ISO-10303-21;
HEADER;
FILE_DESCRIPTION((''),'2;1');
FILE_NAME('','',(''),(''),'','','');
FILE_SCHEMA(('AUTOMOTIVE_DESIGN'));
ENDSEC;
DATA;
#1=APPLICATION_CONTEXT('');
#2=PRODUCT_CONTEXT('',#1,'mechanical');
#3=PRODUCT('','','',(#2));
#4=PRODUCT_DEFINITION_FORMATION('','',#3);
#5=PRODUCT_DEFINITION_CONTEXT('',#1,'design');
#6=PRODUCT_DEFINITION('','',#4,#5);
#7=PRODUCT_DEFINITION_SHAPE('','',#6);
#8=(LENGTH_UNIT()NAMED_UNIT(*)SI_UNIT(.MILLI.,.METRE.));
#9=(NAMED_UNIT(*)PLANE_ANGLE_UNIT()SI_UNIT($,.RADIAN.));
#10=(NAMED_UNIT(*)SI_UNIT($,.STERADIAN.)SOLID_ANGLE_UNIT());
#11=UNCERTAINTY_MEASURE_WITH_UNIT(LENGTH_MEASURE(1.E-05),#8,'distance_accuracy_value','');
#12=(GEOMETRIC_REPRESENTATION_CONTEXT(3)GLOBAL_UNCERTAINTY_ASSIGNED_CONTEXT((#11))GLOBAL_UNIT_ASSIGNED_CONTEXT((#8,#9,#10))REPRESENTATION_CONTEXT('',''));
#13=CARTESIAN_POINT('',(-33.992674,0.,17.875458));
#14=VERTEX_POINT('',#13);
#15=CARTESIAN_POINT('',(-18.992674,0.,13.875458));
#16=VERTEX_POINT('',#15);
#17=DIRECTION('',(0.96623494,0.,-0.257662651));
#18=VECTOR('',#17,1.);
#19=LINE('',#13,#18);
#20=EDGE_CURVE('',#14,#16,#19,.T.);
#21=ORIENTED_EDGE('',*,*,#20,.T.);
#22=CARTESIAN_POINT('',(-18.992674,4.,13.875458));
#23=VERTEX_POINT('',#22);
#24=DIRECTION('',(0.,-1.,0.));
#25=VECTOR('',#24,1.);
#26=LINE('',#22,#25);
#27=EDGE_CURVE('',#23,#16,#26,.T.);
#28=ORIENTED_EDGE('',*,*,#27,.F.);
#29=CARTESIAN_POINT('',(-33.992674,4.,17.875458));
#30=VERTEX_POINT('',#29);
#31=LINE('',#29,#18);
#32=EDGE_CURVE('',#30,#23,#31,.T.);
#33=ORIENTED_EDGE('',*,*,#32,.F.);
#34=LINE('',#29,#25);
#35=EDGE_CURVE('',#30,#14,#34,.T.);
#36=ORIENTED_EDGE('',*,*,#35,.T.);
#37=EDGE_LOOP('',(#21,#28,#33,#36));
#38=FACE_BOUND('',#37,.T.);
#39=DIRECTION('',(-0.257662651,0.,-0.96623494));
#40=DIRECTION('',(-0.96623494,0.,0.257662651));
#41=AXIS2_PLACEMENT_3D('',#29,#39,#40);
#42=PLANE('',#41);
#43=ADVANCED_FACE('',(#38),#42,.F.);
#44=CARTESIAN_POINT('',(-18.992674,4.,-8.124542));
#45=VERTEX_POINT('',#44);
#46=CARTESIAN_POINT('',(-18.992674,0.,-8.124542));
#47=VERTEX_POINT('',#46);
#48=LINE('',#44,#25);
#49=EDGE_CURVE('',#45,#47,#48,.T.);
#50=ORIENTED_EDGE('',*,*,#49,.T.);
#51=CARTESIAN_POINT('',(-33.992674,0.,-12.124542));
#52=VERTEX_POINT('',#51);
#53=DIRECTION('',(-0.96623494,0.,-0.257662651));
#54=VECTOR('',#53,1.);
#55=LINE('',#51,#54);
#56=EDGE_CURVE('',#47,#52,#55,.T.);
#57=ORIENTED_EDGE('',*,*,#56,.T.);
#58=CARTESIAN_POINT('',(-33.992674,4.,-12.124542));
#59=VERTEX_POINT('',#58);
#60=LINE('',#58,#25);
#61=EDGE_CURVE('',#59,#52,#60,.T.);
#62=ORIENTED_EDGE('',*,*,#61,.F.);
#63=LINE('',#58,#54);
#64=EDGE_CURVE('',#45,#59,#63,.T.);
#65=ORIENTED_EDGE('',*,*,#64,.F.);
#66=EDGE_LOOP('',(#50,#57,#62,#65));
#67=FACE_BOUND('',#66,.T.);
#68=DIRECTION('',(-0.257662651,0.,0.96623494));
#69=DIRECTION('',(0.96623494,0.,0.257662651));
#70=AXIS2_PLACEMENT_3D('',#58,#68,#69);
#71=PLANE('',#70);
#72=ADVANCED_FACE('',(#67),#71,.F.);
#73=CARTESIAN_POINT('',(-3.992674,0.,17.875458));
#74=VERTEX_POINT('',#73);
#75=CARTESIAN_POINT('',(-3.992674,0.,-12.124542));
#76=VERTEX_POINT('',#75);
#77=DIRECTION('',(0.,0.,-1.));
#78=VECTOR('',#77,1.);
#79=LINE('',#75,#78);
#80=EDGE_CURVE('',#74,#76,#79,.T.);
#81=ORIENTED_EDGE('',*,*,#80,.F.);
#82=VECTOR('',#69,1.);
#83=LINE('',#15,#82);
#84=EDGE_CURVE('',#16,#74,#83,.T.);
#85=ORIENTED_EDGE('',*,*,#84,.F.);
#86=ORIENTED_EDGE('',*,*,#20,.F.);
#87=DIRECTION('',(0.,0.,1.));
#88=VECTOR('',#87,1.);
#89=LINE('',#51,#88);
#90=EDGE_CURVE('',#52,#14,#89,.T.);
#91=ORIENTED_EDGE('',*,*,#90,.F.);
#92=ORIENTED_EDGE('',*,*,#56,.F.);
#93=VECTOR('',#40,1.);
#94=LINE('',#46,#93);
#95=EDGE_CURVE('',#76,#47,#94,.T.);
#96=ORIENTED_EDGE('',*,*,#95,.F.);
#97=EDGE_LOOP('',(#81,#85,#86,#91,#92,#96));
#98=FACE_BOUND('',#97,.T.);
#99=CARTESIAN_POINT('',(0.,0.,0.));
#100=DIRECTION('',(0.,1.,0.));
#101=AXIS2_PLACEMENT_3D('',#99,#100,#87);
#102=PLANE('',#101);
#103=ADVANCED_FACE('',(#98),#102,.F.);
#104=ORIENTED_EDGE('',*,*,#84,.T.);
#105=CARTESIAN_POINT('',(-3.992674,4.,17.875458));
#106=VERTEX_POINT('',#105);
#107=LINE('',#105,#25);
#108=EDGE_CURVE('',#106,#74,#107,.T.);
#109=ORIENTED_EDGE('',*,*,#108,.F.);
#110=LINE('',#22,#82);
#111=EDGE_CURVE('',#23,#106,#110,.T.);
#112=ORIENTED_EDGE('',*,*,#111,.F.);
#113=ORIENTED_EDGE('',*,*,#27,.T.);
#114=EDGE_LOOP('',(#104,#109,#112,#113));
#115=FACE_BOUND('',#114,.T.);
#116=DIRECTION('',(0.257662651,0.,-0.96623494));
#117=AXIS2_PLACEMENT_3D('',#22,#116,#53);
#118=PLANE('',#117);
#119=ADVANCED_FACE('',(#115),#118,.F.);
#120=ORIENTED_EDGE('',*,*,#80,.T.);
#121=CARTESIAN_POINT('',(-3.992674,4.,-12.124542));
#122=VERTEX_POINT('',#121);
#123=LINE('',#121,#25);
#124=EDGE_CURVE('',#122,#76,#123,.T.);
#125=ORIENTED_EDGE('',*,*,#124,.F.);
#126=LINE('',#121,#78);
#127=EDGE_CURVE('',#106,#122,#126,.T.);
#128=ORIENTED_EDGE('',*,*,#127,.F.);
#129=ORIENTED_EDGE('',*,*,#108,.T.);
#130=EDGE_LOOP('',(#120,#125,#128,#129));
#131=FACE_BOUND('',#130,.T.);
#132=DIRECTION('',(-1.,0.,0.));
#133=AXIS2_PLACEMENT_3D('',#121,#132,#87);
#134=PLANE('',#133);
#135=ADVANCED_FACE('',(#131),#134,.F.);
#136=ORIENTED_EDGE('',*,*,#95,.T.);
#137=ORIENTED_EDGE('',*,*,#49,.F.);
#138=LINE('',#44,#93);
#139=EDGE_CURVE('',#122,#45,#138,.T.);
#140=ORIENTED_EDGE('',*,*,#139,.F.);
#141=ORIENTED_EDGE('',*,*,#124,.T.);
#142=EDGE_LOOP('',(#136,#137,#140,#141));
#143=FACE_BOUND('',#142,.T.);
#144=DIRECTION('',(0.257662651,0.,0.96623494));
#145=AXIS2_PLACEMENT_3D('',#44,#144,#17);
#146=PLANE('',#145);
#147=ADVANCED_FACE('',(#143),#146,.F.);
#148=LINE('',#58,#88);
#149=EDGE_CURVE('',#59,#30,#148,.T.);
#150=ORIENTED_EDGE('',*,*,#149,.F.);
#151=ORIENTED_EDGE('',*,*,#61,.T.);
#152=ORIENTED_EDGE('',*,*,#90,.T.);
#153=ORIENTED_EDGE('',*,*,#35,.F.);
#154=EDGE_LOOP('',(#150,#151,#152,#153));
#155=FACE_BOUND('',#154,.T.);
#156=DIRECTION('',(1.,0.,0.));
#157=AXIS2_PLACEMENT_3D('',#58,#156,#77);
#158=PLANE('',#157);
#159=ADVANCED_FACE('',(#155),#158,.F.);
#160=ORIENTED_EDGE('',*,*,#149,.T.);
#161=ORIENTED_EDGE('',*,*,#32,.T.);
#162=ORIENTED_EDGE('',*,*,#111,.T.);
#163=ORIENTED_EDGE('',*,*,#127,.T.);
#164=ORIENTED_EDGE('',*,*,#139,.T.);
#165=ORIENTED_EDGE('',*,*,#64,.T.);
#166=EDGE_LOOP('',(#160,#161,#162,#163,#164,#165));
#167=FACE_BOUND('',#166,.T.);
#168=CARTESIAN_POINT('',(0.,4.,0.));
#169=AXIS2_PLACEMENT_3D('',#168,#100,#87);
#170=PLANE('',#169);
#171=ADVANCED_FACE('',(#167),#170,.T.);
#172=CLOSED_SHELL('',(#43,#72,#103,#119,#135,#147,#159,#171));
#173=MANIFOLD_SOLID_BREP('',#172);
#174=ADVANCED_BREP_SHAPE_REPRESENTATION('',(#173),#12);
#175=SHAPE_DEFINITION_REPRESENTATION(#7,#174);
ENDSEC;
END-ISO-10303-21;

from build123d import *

# Parameters (mm, degrees)
BOSS_EXTRUDE2_DEPTH = 4


with BuildPart() as part:
    # Sketch1 → Boss-Extrude2 (new body)
    with BuildSketch(Plane(origin=(0, 0, 0), x_dir=(1, 0, 0), z_dir=(0, 1, 0))):
        Polygon((-33.992673993, 12.124542125), (-18.992673993, 8.124542125), (-3.992673993, 12.124542125), (-3.992673993, -17.875457875), (-18.992673993, -13.875457875), (-33.992673993, -17.875457875), align=None)
    extrude(amount=BOSS_EXTRUDE2_DEPTH)


solid = part.part
